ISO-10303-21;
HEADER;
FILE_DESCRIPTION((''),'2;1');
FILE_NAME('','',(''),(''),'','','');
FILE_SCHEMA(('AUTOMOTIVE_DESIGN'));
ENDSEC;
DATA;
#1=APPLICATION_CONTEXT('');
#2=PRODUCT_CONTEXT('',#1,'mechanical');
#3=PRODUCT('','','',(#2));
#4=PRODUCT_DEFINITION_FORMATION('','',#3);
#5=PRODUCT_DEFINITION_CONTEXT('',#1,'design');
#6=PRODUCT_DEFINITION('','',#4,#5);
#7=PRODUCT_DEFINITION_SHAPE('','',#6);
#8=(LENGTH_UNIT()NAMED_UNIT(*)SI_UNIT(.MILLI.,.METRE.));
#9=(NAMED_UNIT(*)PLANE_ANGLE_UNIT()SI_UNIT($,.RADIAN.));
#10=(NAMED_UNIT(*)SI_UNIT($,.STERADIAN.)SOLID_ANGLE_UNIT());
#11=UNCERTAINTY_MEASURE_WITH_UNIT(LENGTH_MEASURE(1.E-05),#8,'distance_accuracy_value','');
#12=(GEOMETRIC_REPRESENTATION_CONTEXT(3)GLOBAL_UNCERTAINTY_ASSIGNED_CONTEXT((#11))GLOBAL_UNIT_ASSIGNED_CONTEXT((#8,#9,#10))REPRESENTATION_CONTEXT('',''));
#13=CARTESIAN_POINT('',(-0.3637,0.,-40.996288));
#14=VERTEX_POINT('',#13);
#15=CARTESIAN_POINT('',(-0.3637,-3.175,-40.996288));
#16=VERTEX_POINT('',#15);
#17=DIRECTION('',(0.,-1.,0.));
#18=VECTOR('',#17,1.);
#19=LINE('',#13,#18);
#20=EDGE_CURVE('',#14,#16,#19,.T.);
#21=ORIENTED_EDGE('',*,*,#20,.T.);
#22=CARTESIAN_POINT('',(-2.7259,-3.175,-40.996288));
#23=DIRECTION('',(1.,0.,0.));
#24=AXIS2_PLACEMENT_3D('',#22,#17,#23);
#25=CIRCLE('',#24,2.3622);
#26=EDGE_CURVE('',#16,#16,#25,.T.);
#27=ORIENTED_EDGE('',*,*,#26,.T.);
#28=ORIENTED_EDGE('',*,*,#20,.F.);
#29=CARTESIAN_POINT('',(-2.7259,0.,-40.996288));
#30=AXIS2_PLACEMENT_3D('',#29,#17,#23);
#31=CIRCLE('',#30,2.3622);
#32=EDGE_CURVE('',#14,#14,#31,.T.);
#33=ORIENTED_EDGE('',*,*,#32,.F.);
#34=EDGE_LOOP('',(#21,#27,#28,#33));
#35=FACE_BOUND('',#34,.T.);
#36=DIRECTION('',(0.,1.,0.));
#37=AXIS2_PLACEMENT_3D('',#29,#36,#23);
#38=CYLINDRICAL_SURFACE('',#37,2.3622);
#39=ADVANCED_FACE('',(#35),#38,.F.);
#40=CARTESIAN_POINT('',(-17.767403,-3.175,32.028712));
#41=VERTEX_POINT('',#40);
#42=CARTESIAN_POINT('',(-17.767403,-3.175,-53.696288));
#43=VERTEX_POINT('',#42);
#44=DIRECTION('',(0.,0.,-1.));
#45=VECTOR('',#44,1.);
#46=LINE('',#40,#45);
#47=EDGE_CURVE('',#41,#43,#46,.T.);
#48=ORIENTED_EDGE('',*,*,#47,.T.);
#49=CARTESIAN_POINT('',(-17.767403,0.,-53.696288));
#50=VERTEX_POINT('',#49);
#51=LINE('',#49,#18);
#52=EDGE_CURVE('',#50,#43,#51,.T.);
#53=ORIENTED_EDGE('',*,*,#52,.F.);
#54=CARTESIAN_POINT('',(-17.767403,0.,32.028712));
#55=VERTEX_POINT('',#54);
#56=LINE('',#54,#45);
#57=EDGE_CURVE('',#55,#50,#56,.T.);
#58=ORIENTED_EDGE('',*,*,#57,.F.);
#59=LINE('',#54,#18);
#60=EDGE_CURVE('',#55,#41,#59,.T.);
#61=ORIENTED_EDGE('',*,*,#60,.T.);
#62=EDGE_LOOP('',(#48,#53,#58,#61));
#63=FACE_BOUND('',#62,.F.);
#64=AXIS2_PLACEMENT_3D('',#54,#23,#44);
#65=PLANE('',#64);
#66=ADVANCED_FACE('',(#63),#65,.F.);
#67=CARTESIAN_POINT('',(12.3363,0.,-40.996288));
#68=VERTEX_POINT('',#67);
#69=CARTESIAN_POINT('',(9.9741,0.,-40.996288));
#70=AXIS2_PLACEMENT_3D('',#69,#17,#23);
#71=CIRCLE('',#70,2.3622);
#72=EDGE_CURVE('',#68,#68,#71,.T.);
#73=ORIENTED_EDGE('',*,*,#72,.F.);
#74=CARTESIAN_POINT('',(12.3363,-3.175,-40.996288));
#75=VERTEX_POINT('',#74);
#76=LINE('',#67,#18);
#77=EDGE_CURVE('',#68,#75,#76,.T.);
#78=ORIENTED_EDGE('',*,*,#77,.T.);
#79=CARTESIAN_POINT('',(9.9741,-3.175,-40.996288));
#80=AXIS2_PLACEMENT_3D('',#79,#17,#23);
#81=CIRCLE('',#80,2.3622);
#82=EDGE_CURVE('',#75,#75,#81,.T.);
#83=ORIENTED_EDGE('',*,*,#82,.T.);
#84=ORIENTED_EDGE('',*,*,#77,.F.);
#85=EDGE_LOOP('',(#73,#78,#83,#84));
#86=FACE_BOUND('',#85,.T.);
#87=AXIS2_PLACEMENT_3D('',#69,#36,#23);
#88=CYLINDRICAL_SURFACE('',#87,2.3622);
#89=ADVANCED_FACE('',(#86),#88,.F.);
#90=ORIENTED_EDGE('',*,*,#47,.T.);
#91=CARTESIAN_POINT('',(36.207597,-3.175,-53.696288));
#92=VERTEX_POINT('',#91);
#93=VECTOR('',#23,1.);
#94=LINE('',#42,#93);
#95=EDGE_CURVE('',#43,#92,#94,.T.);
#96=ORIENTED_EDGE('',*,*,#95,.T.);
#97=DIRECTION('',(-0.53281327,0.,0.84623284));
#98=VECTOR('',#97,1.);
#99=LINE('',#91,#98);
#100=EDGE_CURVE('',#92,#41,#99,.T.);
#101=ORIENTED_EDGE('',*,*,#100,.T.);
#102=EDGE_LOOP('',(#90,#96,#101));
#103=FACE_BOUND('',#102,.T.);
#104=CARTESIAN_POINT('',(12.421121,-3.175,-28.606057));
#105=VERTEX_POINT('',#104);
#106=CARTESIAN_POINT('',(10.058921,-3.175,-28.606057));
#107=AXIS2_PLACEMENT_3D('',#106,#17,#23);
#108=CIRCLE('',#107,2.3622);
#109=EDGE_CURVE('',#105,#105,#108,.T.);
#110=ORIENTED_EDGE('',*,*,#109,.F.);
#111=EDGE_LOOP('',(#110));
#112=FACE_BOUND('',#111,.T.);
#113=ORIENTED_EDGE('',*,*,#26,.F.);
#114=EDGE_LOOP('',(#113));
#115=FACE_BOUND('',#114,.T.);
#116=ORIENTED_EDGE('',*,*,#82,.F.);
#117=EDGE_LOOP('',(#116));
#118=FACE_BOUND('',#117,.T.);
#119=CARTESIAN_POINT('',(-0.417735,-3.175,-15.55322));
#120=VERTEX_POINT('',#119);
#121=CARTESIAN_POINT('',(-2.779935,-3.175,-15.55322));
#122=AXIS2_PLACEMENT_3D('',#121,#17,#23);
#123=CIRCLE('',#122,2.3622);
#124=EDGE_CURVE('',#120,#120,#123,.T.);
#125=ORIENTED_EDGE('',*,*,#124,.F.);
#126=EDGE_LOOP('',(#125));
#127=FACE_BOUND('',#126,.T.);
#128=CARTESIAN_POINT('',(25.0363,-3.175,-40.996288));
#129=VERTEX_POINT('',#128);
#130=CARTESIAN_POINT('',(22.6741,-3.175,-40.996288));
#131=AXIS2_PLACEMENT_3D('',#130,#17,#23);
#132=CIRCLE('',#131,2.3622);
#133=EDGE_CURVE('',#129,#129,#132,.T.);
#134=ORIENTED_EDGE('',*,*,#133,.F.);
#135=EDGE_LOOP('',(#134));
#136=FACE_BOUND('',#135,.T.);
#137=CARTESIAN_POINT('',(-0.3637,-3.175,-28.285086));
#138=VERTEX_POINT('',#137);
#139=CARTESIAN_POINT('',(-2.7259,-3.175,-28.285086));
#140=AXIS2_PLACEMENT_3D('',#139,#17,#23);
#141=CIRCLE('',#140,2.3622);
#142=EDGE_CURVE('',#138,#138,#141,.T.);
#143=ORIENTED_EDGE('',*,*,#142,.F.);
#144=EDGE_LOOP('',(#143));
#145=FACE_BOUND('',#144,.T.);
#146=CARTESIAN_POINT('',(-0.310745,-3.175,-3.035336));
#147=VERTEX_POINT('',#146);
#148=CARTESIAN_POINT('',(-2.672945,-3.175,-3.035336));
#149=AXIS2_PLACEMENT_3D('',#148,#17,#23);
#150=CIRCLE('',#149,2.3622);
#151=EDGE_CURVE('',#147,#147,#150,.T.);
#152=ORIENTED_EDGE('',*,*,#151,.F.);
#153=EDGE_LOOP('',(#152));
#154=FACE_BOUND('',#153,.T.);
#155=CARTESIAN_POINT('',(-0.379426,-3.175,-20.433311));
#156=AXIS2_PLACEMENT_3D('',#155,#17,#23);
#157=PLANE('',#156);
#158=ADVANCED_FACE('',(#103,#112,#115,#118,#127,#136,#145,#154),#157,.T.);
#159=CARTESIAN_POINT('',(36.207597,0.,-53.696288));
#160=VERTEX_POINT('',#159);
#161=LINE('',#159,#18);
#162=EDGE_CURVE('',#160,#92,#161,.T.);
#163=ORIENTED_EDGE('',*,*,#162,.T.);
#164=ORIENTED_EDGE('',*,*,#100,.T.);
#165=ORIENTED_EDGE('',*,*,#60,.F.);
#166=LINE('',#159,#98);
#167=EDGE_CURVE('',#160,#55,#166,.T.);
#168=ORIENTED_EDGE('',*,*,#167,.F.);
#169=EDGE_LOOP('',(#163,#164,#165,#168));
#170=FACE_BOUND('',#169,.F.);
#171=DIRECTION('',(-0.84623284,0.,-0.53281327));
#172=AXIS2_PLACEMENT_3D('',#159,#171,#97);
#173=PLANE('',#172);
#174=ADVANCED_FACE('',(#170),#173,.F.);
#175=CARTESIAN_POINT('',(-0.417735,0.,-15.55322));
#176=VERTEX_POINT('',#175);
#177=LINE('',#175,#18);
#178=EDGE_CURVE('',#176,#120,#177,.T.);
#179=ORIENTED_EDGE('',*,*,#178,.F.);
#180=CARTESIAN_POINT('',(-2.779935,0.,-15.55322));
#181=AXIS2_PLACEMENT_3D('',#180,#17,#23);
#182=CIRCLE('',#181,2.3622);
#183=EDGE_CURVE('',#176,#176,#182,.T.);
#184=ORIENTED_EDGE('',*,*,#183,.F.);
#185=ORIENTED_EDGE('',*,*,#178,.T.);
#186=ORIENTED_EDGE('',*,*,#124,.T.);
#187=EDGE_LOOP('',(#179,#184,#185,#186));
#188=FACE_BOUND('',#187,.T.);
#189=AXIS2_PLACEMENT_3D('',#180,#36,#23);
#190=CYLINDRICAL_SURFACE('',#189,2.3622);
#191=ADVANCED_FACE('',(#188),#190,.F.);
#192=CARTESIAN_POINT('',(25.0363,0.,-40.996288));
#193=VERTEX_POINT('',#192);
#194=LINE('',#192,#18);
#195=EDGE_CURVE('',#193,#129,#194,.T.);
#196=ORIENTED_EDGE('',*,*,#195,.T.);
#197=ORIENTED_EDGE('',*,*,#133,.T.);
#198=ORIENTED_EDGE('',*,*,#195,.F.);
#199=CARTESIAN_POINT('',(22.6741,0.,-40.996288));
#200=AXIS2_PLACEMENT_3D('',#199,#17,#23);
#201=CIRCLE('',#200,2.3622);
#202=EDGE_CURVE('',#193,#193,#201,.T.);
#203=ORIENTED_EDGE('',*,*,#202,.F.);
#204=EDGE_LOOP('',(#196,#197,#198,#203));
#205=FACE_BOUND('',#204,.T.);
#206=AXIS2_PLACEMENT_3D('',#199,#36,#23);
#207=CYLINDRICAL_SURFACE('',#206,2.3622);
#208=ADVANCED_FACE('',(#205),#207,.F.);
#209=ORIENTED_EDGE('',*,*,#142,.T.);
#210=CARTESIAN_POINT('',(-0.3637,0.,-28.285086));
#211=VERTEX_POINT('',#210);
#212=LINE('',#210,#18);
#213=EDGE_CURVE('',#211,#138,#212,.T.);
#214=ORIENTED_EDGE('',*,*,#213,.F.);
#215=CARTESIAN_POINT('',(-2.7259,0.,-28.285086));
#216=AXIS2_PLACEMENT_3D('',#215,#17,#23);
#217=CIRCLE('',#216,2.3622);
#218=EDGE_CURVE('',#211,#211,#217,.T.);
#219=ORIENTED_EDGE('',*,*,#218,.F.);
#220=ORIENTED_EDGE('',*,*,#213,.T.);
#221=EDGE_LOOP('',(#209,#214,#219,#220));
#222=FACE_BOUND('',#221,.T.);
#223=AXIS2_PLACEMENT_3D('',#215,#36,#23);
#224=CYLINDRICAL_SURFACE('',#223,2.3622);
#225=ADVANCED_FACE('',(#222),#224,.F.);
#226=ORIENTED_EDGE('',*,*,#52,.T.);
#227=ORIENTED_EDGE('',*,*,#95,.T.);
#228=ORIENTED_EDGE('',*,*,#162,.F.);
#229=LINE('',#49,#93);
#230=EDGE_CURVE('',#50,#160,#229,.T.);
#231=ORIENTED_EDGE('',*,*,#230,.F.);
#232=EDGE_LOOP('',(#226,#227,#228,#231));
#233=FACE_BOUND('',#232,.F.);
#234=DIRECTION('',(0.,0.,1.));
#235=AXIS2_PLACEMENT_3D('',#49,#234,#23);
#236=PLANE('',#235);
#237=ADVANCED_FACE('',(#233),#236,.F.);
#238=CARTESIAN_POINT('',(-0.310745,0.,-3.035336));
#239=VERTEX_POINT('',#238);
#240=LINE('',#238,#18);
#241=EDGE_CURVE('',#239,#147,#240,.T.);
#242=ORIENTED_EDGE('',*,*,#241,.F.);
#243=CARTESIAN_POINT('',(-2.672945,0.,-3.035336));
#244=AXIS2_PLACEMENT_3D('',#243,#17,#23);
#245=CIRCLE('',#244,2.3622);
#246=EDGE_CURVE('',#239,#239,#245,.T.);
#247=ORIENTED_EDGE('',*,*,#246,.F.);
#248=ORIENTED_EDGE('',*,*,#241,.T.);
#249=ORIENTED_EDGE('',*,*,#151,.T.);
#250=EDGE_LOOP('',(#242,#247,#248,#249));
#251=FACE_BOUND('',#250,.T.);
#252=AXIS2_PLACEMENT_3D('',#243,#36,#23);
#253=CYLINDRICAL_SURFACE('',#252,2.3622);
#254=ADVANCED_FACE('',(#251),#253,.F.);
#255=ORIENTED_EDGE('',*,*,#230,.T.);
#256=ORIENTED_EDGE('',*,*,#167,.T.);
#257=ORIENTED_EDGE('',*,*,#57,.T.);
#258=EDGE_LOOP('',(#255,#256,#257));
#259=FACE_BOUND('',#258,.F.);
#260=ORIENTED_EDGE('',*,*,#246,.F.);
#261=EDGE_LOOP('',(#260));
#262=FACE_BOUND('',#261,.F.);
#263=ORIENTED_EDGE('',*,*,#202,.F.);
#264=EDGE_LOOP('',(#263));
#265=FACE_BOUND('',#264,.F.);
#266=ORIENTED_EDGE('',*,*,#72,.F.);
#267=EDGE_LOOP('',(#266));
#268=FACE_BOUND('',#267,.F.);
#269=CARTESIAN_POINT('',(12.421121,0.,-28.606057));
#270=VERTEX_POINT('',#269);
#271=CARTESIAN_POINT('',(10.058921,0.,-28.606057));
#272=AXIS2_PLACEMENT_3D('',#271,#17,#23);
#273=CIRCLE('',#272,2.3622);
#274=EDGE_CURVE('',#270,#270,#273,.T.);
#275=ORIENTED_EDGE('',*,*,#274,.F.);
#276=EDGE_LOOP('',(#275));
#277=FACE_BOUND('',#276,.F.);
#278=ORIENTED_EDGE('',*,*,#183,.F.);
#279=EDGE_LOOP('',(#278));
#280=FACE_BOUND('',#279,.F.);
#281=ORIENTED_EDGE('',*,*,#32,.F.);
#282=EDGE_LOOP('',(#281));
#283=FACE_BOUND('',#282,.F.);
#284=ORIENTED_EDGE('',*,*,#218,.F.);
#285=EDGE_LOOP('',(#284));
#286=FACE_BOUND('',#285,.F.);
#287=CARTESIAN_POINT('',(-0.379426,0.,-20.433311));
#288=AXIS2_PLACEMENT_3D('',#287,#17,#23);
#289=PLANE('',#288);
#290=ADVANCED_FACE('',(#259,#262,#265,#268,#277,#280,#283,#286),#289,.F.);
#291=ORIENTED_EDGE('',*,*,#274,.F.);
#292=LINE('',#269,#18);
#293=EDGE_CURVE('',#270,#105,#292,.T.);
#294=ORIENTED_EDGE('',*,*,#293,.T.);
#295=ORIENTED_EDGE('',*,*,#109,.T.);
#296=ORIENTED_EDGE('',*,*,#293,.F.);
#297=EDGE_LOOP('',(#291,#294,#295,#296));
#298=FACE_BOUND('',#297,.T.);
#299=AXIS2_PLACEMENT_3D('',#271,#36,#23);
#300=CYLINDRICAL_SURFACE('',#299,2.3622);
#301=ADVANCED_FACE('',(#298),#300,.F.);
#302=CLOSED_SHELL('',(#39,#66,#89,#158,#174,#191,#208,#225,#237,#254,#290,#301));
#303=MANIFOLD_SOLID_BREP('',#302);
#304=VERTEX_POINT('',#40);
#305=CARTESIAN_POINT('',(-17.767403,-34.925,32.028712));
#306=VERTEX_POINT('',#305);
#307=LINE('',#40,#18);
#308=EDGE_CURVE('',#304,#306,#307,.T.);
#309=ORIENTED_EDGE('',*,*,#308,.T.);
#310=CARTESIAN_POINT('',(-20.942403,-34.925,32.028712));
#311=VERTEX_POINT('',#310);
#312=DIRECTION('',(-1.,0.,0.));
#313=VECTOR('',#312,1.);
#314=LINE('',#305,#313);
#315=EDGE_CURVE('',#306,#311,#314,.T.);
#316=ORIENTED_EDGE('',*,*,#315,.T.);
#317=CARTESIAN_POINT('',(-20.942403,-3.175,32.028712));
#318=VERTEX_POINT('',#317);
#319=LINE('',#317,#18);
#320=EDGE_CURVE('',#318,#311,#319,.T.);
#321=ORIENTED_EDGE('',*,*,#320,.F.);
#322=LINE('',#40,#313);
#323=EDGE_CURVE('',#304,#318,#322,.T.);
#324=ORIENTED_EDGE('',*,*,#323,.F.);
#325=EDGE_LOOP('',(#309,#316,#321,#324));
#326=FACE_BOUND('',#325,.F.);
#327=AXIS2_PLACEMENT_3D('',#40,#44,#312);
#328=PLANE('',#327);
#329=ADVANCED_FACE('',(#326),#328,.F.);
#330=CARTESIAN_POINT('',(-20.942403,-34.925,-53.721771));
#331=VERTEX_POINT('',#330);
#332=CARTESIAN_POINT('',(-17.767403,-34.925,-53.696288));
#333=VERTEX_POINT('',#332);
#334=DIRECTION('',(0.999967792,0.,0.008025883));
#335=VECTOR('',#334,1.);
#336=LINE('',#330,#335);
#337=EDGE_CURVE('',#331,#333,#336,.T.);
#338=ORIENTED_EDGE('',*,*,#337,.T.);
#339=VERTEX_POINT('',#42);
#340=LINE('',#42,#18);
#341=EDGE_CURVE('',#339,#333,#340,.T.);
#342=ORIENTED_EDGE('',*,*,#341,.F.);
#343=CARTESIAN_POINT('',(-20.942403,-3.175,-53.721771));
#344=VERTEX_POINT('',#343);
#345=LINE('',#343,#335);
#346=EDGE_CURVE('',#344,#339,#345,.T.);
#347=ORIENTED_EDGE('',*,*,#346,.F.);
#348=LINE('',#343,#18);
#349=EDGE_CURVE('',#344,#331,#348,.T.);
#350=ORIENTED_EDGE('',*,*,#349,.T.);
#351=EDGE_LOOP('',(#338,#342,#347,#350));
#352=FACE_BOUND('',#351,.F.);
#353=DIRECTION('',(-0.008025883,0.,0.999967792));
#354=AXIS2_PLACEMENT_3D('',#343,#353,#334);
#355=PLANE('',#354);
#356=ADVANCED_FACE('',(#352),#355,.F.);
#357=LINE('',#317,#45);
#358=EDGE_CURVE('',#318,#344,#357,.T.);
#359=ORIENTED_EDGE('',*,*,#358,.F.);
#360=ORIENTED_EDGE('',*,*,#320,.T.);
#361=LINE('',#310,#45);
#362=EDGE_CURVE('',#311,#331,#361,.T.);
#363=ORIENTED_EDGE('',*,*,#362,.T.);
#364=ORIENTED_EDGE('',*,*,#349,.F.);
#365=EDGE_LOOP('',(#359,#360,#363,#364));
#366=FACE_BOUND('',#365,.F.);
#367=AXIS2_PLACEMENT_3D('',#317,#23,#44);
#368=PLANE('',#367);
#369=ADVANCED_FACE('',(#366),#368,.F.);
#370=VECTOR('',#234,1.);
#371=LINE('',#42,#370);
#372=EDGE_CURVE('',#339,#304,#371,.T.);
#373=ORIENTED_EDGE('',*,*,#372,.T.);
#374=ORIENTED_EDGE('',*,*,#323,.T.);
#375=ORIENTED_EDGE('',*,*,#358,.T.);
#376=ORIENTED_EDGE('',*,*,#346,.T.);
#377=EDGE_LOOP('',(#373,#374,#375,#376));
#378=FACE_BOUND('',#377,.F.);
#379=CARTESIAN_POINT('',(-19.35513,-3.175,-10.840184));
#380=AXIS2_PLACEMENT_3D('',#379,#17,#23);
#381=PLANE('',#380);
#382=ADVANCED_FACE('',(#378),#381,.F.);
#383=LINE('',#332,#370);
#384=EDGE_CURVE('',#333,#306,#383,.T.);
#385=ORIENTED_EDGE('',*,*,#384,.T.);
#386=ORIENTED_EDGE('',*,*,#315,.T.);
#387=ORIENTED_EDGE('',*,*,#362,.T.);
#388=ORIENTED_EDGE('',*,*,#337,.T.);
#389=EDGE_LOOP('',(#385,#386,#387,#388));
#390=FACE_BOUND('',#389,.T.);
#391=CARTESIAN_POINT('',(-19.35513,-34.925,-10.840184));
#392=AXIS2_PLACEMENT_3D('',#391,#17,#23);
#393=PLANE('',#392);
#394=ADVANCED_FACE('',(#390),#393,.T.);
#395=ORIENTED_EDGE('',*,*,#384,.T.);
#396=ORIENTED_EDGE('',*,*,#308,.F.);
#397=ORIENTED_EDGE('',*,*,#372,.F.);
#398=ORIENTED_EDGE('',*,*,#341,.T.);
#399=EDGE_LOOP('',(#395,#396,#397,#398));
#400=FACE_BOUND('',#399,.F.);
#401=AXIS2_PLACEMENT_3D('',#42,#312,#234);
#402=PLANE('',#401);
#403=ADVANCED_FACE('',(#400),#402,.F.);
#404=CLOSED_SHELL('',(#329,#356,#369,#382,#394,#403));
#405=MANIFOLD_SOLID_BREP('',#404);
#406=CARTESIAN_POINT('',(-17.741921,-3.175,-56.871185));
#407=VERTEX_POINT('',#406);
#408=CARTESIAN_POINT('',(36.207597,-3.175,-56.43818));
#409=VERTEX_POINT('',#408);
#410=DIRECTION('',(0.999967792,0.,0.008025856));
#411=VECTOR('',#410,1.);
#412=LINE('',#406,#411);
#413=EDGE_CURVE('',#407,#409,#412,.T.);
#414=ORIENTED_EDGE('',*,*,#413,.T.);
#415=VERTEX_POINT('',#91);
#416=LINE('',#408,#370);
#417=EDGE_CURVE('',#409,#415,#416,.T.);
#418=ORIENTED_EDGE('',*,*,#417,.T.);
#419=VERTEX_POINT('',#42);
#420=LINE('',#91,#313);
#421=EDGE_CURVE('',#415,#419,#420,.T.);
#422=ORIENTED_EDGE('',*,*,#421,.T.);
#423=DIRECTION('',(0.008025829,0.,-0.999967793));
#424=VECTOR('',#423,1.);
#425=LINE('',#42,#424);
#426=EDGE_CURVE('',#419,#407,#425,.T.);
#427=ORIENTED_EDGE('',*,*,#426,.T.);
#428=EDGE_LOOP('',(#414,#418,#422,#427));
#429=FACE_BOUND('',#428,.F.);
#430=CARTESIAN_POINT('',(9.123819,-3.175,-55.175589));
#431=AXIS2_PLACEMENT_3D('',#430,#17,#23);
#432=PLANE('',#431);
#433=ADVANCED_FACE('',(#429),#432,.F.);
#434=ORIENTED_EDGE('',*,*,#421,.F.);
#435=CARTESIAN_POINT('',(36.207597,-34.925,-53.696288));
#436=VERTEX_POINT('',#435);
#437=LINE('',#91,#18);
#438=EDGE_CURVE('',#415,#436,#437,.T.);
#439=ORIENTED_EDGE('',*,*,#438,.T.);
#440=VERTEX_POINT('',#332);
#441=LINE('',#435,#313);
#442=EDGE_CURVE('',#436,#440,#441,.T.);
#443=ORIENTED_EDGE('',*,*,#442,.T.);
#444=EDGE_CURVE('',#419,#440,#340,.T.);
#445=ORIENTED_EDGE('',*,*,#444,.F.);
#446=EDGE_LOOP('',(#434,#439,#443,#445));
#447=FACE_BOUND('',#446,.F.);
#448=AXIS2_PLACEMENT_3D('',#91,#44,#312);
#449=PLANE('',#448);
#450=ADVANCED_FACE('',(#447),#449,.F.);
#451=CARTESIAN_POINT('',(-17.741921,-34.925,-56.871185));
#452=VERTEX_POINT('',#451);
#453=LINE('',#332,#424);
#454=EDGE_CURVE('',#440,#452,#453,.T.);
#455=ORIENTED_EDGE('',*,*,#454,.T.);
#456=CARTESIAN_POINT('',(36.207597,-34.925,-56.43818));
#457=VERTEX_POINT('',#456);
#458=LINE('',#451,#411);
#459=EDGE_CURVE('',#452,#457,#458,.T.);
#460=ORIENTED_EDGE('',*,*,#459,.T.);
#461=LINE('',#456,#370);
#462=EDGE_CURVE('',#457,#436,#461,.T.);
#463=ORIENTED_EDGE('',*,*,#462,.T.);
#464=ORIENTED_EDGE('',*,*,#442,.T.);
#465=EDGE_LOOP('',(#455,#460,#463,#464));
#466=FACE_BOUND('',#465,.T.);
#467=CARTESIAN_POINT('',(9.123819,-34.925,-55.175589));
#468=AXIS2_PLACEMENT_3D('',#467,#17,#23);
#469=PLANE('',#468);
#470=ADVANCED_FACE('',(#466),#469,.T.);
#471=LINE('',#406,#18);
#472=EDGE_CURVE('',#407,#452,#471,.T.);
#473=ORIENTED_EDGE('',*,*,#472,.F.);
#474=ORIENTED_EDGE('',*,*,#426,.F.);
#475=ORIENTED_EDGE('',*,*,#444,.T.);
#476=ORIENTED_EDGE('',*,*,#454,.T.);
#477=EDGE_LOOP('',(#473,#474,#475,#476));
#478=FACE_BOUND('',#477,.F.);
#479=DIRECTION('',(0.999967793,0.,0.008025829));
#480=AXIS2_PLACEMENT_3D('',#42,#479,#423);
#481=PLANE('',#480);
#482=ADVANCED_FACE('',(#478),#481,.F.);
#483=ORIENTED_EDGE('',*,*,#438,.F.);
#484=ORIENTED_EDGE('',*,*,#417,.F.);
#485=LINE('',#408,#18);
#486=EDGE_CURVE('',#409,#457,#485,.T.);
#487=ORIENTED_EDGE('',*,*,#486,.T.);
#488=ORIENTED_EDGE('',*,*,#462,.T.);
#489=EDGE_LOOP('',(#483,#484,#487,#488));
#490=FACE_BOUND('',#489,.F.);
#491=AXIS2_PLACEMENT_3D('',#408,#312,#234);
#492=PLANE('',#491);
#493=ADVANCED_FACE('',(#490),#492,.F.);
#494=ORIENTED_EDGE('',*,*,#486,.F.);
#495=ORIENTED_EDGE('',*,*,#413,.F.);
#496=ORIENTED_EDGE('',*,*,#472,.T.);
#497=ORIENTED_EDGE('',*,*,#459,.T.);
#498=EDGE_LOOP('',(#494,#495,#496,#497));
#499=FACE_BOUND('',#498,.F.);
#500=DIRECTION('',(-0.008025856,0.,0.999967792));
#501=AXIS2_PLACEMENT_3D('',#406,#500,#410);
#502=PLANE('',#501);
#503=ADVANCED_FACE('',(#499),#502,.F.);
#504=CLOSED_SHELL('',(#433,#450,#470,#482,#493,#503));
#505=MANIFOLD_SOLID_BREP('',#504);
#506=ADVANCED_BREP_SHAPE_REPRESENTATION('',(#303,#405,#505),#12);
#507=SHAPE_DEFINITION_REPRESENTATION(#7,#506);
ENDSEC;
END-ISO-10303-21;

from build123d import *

# Parameters (mm, degrees)
F0_R     = 2.3622
F1_DEPTH = 3.175
F3_DEPTH = 31.75


with BuildPart() as f1:
    # F0 (on Front) → F1 (new body)
    with BuildSketch(Plane.XZ):
        Polygon((36.207597, -53.696288), (-17.767403, 32.028712), (-17.767403, -53.696288), align=None)
        with Locations((-2.7259, -40.996288)):
            Circle(F0_R, mode=Mode.SUBTRACT)
        with Locations((-2.7259, -28.285086)):
            Circle(F0_R, mode=Mode.SUBTRACT)
        with Locations((-2.779935, -15.55322)):
            Circle(F0_R, mode=Mode.SUBTRACT)
        with Locations((9.9741, -40.996288)):
            Circle(F0_R, mode=Mode.SUBTRACT)
        with Locations((22.6741, -40.996288)):
            Circle(F0_R, mode=Mode.SUBTRACT)
        with Locations((10.058921, -28.606057)):
            Circle(F0_R, mode=Mode.SUBTRACT)
        with Locations((-2.672945, -3.035336)):
            Circle(F0_R, mode=Mode.SUBTRACT)
    extrude(amount=F1_DEPTH)


with BuildPart() as f3:
    # F2 (on face) → F3 (new body)
    with BuildSketch(Plane.XZ.offset(3.175)):
        Polygon((36.207597, -53.696288), (-17.767403, -53.696288), (-17.741921, -56.871185), (36.207597, -56.43818), align=None)
        Polygon((-17.767403, -53.696288), (-17.767403, 32.028712), (-20.942403, 32.028712), (-20.942403, -53.721771), align=None)
    extrude(amount=F3_DEPTH)


solid = Compound([f1.part, f3.part])
